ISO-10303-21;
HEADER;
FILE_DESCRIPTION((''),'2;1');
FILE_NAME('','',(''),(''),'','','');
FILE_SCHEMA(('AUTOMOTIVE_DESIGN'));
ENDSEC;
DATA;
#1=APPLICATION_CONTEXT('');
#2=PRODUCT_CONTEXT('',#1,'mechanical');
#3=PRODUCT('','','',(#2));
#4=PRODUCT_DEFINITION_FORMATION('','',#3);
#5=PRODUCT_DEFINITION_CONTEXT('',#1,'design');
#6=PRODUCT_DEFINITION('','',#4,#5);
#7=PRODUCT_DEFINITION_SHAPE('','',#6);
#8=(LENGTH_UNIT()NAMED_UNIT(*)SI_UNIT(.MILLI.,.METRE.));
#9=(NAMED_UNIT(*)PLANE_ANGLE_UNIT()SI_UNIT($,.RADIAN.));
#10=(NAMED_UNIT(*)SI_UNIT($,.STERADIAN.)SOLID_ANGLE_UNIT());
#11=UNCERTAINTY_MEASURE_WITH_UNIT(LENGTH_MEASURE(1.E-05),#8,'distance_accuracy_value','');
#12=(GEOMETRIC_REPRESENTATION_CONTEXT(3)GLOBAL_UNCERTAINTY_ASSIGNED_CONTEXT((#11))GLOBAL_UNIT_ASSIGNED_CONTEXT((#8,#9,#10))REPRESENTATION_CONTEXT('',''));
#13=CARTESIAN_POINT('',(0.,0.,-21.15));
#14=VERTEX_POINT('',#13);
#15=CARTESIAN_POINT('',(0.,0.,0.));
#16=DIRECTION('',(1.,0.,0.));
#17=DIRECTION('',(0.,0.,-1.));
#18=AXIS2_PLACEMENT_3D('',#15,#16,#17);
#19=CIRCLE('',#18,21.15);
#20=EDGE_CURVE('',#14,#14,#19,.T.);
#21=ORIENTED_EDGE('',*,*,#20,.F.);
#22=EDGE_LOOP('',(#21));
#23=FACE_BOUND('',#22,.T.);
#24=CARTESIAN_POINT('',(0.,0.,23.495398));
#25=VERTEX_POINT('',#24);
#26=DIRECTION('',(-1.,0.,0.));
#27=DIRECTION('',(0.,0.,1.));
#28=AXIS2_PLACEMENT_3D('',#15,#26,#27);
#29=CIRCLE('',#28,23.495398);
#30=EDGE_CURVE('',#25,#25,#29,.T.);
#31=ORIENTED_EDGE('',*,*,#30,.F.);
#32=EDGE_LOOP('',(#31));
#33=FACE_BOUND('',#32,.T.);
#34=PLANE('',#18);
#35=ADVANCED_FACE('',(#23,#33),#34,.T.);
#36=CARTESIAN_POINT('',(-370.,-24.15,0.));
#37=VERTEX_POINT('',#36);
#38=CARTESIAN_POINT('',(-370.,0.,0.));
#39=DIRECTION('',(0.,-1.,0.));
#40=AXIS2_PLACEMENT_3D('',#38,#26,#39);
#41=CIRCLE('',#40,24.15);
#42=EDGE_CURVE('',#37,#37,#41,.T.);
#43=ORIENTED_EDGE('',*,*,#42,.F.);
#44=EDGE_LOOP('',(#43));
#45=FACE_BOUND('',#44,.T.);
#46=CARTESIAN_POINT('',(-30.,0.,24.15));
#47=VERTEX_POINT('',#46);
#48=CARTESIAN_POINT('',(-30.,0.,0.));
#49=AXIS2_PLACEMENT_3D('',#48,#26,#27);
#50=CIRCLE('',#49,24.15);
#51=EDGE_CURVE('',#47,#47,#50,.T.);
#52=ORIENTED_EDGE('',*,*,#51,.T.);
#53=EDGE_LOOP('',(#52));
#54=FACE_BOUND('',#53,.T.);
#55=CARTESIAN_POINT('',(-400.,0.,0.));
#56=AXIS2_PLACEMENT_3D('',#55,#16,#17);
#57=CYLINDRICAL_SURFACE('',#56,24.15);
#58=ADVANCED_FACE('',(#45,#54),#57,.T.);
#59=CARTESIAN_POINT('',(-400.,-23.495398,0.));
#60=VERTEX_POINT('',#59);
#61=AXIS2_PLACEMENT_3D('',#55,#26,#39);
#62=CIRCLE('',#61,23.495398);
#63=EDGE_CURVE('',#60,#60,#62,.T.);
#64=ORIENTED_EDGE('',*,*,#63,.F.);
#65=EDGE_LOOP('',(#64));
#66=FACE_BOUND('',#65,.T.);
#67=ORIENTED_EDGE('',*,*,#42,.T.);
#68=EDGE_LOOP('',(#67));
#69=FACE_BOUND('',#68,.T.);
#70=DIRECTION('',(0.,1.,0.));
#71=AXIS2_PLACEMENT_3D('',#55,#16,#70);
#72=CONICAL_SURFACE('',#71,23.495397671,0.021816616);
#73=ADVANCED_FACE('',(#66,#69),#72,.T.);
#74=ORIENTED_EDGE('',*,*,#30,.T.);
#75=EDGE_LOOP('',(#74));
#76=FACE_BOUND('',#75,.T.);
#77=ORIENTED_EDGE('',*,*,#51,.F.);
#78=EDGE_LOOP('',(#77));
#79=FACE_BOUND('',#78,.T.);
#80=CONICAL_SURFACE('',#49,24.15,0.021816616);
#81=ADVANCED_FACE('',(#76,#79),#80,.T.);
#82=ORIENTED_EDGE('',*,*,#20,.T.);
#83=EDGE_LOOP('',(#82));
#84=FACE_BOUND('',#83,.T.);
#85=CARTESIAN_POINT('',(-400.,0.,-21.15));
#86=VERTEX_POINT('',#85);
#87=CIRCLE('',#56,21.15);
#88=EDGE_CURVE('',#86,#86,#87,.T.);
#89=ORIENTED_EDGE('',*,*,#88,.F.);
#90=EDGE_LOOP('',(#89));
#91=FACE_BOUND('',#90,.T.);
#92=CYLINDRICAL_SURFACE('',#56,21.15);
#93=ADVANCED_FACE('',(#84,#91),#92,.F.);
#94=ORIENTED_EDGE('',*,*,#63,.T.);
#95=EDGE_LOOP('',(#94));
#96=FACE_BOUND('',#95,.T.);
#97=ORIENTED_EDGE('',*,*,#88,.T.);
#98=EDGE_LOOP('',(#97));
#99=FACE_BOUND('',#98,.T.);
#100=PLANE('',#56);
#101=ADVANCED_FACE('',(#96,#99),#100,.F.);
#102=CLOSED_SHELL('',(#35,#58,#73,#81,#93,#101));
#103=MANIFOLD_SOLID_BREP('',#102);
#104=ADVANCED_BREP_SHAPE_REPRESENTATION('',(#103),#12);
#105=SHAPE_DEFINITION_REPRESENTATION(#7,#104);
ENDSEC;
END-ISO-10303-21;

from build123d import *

# Parameters (mm, degrees)
SKETCH1_R           = 24.15
SKETCH1_R_2         = 21.15
BOSS_EXTRUDE1_DEPTH = 400


with BuildPart() as part:
    # Sketch1 → Boss-Extrude1 (new body)
    with BuildSketch(Plane(origin=(0, 0, 0), x_dir=(0, 0, -1), z_dir=(1, 0, 0))):
        Circle(SKETCH1_R)
        Circle(SKETCH1_R_2, mode=Mode.SUBTRACT)
    extrude(amount=-BOSS_EXTRUDE1_DEPTH)

    # Sketch2 → Cut-Revolve1 (revolve, cut)
    with BuildSketch(Plane.XY):
        Polygon((0, 24.15), (-30, 24.15), (0, 23.495397671), align=None)
    revolve(axis=Axis((0, 0, 0), (1, 0, 0)), mode=Mode.SUBTRACT)

    # Sketch3 → Cut-Revolve2 (revolve, cut)
    with BuildSketch(Plane.XY):
        Polygon((-400, 24.15), (-370, 24.15), (-400, 23.495397671), align=None)
    revolve(axis=Axis((-400, 0, 0), (1, 0, 0)), mode=Mode.SUBTRACT)


solid = part.part
